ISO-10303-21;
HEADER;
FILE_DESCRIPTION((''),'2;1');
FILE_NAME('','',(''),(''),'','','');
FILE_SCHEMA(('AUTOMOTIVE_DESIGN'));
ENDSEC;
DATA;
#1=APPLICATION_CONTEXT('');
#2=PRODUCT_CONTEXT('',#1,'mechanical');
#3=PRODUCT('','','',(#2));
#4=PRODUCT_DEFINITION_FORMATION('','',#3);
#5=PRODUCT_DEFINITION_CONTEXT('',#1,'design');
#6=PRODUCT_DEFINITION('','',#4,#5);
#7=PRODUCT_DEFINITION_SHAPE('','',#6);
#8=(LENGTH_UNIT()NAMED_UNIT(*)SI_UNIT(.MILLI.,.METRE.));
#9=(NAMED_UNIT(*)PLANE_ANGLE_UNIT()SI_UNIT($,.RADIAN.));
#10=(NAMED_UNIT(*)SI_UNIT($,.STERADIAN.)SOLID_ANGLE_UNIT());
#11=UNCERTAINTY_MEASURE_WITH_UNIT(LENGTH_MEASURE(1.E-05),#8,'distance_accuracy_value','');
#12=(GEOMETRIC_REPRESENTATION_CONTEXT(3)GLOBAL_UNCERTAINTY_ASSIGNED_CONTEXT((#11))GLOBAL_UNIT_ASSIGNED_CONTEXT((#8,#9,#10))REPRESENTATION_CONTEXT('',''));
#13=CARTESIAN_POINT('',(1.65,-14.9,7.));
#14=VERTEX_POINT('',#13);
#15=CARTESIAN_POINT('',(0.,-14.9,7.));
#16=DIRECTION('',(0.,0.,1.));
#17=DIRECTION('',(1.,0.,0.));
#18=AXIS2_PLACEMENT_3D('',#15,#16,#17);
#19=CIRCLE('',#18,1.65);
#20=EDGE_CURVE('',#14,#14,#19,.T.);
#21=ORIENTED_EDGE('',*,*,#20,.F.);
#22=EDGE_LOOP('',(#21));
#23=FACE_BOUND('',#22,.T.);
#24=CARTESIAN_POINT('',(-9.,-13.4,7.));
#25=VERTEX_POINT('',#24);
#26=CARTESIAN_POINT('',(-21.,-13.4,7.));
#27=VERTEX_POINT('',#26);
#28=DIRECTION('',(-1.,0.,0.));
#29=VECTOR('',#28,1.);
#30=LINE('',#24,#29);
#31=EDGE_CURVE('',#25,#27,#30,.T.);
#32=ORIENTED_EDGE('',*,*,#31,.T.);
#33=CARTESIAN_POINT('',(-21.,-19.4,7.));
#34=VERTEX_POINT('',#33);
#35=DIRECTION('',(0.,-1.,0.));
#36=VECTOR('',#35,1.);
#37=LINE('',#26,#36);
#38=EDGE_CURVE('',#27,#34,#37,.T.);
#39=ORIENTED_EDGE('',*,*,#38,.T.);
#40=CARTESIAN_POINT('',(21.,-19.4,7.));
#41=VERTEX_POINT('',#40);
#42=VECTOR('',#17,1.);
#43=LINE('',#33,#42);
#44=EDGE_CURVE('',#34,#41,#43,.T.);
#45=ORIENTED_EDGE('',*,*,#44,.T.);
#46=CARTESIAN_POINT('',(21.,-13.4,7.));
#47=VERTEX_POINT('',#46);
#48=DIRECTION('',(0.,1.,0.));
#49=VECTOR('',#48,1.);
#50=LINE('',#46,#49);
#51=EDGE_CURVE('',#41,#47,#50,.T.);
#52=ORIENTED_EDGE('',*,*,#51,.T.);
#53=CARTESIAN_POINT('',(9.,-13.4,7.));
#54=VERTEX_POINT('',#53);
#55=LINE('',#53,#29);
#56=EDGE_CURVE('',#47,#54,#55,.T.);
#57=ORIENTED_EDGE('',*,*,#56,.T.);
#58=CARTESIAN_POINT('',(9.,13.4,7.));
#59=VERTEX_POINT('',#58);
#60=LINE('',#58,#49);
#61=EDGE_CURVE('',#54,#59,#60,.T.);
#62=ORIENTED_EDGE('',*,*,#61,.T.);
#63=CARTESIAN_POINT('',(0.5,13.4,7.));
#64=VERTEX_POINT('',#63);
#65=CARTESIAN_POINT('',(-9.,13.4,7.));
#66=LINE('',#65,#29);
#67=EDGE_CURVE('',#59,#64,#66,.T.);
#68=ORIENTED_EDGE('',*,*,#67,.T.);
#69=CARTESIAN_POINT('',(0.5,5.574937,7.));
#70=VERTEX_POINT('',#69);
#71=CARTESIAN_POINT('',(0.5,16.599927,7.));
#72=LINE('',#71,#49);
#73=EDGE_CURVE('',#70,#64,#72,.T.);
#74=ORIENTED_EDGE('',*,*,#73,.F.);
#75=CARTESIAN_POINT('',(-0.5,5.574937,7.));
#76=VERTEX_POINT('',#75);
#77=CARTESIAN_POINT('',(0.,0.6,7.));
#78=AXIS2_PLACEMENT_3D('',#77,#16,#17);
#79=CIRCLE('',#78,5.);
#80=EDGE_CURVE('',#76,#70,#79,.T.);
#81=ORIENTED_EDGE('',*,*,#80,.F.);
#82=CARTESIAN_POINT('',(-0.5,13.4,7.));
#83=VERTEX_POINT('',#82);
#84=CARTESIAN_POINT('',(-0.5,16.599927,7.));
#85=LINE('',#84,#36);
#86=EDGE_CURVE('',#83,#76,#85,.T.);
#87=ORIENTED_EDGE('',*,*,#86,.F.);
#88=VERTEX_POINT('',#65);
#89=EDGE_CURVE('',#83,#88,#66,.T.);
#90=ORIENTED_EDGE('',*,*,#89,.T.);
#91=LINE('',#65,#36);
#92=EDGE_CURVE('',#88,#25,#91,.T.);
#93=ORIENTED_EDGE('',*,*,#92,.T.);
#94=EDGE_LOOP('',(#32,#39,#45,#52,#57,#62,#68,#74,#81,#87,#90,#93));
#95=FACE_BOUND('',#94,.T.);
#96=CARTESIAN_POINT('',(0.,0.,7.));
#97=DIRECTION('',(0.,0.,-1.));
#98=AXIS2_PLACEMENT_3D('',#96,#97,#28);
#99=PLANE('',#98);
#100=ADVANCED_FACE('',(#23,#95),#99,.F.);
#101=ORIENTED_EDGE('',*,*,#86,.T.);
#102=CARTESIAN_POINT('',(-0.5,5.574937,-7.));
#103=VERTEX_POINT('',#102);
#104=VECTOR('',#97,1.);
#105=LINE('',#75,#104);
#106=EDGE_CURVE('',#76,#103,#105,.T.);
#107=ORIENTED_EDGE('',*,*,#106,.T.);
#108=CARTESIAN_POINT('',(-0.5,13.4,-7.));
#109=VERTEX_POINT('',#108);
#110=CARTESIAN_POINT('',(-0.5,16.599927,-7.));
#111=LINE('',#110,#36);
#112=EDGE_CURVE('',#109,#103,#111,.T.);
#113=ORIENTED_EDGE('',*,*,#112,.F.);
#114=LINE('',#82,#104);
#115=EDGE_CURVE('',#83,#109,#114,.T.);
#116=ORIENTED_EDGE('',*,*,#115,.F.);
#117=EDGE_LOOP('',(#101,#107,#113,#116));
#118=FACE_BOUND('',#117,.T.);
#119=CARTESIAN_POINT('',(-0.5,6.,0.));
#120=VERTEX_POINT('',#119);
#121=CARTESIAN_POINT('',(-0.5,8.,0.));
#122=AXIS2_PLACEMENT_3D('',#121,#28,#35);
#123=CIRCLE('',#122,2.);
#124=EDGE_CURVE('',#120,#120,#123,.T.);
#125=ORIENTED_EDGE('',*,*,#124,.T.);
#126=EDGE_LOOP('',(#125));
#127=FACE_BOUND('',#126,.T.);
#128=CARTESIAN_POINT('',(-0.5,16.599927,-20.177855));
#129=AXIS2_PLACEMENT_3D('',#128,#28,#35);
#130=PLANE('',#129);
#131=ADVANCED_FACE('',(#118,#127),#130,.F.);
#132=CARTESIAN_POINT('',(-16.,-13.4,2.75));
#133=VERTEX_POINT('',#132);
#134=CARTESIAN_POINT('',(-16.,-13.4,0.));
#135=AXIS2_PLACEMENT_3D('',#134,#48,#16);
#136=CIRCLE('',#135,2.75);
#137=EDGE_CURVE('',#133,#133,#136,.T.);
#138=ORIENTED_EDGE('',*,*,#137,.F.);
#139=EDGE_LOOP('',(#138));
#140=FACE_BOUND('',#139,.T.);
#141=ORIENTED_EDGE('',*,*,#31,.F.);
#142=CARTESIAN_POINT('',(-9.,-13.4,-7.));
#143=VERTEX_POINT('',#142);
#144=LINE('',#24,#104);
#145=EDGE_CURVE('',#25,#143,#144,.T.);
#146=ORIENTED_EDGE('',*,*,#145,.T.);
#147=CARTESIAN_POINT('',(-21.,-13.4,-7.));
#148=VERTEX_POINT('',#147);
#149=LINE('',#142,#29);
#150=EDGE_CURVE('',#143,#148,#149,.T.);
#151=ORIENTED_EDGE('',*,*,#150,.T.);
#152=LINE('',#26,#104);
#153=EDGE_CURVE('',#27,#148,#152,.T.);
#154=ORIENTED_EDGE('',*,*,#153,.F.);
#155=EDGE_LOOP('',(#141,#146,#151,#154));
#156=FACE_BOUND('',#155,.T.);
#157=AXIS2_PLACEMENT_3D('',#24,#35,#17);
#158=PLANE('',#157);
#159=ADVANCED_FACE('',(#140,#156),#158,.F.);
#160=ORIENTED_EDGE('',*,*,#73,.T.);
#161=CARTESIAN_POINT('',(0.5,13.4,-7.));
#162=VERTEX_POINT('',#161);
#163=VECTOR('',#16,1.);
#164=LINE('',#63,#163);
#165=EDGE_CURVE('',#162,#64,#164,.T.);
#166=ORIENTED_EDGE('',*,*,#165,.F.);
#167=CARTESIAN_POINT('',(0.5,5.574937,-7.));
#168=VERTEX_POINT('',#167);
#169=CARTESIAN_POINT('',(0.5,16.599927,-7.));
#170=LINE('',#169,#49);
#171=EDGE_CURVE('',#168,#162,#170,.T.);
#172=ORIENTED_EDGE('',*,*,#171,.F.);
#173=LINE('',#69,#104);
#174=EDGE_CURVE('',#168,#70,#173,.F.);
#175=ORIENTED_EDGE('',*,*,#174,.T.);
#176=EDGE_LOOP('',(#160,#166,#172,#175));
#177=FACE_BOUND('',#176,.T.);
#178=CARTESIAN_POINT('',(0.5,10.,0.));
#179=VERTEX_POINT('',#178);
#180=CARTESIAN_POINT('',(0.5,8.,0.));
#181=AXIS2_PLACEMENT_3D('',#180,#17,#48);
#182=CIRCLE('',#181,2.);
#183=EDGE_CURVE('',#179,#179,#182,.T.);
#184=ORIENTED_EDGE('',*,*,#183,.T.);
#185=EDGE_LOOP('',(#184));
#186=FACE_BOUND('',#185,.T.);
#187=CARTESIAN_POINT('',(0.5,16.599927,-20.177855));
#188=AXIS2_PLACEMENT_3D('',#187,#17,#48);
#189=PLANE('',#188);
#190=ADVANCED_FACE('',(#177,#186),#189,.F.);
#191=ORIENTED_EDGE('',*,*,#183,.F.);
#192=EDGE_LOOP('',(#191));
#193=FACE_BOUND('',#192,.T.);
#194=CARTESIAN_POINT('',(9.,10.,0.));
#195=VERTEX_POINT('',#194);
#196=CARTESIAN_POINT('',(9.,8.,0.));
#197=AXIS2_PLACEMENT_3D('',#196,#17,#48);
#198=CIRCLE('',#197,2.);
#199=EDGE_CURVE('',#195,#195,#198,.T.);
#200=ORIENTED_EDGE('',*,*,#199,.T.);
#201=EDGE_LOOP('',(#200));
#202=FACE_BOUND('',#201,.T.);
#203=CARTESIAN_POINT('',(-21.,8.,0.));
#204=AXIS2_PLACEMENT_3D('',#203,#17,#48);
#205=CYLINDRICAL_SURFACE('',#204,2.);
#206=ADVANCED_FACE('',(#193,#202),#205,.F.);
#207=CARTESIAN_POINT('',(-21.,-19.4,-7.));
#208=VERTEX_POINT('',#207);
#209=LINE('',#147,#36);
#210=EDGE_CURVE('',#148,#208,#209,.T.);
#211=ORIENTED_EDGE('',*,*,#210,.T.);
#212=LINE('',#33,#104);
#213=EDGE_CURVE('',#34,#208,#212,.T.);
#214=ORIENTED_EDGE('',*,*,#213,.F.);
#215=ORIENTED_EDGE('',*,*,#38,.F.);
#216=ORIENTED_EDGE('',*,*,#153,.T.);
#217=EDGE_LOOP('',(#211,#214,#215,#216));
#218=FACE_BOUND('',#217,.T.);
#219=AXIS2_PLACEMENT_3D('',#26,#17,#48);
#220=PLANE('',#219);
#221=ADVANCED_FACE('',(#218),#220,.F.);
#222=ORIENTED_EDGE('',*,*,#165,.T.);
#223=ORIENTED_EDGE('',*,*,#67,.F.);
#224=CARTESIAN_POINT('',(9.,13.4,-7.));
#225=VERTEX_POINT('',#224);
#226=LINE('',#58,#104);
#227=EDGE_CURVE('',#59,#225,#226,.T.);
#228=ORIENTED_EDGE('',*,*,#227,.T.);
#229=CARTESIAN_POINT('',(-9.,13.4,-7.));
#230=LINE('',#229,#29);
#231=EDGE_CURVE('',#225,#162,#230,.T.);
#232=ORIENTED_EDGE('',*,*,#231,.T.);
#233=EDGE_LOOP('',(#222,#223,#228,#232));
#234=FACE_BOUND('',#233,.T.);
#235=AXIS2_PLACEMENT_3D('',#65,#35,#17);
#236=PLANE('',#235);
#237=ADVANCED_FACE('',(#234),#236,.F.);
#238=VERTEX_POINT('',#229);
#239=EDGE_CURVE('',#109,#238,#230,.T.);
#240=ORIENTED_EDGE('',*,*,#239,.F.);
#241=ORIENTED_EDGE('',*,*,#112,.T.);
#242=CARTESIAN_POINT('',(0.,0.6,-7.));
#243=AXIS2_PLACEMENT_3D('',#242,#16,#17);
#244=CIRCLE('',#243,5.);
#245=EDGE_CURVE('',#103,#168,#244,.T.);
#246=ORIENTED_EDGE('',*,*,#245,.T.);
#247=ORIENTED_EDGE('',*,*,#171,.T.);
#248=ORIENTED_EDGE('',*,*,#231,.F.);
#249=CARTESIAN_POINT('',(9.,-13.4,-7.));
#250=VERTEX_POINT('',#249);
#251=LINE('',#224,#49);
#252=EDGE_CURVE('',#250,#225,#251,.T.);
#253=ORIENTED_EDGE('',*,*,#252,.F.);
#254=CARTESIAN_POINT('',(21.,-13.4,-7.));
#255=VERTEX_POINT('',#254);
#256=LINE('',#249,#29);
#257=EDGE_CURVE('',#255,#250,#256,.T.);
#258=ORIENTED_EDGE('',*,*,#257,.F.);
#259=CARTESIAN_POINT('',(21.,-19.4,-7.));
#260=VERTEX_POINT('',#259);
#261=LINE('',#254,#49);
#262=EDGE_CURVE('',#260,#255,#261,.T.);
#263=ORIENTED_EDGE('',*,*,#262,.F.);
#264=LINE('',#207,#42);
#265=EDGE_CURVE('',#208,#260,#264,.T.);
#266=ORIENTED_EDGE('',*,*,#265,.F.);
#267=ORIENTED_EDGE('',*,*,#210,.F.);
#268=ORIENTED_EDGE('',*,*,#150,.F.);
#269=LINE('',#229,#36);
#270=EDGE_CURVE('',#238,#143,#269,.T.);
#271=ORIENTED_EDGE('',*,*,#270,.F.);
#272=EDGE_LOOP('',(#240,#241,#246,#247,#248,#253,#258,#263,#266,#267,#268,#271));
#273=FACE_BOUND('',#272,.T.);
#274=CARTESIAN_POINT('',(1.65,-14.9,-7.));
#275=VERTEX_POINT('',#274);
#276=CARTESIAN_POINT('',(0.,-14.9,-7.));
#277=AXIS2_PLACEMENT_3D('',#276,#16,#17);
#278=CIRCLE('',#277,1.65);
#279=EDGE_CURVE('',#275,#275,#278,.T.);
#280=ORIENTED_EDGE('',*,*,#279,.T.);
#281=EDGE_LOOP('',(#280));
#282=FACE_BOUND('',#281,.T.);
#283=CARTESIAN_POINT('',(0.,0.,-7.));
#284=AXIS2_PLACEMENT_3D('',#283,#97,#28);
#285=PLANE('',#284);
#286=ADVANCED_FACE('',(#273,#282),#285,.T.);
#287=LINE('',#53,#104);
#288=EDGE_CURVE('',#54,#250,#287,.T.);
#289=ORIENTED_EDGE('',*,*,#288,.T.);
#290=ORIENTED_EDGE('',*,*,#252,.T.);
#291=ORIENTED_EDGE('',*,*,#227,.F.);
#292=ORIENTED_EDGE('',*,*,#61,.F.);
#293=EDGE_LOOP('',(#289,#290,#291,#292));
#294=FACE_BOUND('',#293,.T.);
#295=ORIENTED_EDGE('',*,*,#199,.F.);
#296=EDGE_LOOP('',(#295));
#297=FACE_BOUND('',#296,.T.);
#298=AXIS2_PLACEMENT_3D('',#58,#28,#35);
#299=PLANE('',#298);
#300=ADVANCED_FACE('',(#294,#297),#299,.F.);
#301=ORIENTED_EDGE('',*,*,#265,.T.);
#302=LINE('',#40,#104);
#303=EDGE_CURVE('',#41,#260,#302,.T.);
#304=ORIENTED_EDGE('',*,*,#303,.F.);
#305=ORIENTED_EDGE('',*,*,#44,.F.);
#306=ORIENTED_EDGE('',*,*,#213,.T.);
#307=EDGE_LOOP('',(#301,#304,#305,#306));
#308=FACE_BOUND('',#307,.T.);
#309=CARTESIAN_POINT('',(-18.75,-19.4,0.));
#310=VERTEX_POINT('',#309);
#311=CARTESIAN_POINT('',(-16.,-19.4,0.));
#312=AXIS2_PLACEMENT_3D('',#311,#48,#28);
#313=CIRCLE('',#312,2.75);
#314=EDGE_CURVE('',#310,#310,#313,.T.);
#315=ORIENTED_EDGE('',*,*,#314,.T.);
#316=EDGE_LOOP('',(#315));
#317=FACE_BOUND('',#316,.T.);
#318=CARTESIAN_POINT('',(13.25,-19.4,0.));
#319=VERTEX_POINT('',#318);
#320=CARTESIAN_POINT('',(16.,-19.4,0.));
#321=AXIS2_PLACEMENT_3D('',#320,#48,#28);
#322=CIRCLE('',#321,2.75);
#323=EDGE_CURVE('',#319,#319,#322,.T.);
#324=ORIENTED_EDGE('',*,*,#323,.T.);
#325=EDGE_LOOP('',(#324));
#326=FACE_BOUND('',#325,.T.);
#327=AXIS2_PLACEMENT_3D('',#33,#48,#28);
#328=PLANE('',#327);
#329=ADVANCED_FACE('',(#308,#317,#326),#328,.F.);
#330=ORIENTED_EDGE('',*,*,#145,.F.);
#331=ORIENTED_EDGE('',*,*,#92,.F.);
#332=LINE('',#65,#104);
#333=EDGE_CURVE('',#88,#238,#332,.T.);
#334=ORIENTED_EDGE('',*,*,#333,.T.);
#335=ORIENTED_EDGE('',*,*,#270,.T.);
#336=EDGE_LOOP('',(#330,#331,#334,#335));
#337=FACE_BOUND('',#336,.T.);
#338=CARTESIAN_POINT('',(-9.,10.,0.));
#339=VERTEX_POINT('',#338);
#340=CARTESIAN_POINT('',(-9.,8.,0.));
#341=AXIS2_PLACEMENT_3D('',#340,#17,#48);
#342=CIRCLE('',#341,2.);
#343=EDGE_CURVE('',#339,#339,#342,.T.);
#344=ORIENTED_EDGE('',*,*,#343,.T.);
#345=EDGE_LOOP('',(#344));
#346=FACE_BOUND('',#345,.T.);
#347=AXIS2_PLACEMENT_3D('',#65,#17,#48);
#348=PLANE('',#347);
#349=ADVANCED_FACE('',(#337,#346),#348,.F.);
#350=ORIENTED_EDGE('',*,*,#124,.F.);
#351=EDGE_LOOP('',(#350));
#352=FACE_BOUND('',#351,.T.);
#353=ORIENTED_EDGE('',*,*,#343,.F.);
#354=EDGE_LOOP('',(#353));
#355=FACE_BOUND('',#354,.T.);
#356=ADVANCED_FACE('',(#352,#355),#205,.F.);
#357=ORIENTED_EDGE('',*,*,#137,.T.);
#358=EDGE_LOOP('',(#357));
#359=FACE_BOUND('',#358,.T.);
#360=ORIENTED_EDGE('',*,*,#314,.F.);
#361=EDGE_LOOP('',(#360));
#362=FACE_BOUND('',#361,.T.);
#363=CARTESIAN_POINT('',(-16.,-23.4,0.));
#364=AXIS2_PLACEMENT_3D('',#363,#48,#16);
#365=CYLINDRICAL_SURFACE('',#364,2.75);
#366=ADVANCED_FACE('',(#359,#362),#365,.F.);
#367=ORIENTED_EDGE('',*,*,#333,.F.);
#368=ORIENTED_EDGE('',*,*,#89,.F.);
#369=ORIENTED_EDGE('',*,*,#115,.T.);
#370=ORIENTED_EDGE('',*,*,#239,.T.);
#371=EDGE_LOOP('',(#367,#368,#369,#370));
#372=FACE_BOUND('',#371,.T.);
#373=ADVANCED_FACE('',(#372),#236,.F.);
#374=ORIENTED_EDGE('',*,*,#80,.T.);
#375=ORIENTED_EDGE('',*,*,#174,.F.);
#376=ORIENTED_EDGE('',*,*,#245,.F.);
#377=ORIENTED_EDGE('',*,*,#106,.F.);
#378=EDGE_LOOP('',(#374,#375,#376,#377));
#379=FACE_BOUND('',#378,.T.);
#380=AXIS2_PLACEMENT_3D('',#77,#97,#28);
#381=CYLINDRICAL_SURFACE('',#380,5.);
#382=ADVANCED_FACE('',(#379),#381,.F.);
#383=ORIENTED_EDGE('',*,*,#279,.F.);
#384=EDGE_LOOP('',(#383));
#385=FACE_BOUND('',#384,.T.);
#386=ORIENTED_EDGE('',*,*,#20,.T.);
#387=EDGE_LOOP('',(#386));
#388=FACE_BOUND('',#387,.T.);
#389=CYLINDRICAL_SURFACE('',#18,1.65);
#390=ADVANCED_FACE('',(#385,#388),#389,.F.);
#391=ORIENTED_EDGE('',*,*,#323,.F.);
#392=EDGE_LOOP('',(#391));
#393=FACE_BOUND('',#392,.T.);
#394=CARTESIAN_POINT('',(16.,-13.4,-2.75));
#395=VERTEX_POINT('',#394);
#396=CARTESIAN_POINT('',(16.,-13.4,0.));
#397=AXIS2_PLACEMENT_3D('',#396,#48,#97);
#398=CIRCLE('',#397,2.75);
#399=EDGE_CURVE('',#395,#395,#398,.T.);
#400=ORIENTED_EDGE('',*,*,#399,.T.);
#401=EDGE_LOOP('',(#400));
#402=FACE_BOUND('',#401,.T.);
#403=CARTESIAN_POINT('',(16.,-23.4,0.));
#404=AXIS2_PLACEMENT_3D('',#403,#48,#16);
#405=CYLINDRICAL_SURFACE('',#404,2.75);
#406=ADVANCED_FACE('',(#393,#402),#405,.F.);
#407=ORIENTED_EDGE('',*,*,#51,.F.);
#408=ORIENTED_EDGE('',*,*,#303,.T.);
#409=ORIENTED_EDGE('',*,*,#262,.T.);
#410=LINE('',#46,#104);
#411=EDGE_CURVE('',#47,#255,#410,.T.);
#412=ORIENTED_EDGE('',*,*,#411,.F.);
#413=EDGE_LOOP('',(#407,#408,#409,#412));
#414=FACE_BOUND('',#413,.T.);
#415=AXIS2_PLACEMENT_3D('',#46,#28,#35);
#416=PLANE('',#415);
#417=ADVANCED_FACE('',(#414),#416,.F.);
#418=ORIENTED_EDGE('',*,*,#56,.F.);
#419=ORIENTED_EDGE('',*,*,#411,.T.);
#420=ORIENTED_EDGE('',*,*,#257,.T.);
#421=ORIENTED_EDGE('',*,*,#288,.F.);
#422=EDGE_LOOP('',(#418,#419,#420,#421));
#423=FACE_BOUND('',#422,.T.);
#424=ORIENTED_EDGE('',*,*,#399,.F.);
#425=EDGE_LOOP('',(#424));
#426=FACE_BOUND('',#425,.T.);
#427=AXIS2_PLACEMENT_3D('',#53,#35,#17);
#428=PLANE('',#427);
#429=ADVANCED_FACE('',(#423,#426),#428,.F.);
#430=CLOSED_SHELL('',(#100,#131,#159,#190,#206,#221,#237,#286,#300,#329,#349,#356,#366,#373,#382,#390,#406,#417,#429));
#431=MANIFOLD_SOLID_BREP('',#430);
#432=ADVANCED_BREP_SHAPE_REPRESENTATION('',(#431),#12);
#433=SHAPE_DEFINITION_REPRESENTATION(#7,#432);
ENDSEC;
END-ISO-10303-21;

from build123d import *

# Parameters (mm, degrees)
SKETCH_3_R          = 5
EXTRUDE_3_DEPTH     = 7
SKETCH_5_R          = 2.75
CUT_EXTRUDE_1_DEPTH = 10
SKETCH_6_W          = 1
SKETCH_6_H          = 13.139857665
CUT_EXTRUDE_2_DEPTH = 14
SKETCH_7_R          = 2
CUT_EXTRUDE_3_DEPTH = 37.405494091
HOLE_WIZARD_M4_1_D  = 3.3


with BuildPart() as part:
    # 草图3 → 凸台-拉伸3 (new, symmetric)
    with BuildSketch(Plane.XY):
        Polygon((-9, -13.4), (-21, -13.4), (-21, -19.4), (21, -19.4), (21, -13.4), (9, -13.4), (9, 13.4), (-9, 13.4), align=None)
        with Locations((0, 0.6)):
            Circle(SKETCH_3_R, mode=Mode.SUBTRACT)
    extrude(amount=EXTRUDE_3_DEPTH, both=True)

    # 草图5 → 切除-拉伸1 (cut)
    with BuildSketch(Plane(origin=(0, -13.4, 0), x_dir=(1, 0, 0), z_dir=(0, 1, 0))):
        with Locations(Location((-16, 0, 0), (0, 0, 270))):
            Circle(SKETCH_5_R)
        with Locations(Location((16, 0, 0), (0, 0, 180))):
            Circle(SKETCH_5_R)
    extrude(amount=-CUT_EXTRUDE_1_DEPTH, mode=Mode.SUBTRACT)

    # 草图6 → 切除-拉伸2 (cut)
    with BuildSketch(Plane.XY.offset(7)):
        with Locations((0, 10.029998353)):
            Rectangle(SKETCH_6_W, SKETCH_6_H)
    extrude(amount=-CUT_EXTRUDE_2_DEPTH, mode=Mode.SUBTRACT)

    # 草图7 → 切除-拉伸3 (cut, through all)
    with BuildSketch(Plane(origin=(9, 0, 0), x_dir=(0, 0, -1), z_dir=(1, 0, 0))):
        with Locations(Location((0, 8, 0), (0, 0, 90))):
            Circle(SKETCH_7_R)
    extrude(amount=-CUT_EXTRUDE_3_DEPTH, mode=Mode.SUBTRACT)

    # M4 螺纹孔1 (through all)
    with Locations(Plane.XY.offset(7)):
        with Locations((0, -14.9)):
            Hole(HOLE_WIZARD_M4_1_D / 2)


solid = part.part
